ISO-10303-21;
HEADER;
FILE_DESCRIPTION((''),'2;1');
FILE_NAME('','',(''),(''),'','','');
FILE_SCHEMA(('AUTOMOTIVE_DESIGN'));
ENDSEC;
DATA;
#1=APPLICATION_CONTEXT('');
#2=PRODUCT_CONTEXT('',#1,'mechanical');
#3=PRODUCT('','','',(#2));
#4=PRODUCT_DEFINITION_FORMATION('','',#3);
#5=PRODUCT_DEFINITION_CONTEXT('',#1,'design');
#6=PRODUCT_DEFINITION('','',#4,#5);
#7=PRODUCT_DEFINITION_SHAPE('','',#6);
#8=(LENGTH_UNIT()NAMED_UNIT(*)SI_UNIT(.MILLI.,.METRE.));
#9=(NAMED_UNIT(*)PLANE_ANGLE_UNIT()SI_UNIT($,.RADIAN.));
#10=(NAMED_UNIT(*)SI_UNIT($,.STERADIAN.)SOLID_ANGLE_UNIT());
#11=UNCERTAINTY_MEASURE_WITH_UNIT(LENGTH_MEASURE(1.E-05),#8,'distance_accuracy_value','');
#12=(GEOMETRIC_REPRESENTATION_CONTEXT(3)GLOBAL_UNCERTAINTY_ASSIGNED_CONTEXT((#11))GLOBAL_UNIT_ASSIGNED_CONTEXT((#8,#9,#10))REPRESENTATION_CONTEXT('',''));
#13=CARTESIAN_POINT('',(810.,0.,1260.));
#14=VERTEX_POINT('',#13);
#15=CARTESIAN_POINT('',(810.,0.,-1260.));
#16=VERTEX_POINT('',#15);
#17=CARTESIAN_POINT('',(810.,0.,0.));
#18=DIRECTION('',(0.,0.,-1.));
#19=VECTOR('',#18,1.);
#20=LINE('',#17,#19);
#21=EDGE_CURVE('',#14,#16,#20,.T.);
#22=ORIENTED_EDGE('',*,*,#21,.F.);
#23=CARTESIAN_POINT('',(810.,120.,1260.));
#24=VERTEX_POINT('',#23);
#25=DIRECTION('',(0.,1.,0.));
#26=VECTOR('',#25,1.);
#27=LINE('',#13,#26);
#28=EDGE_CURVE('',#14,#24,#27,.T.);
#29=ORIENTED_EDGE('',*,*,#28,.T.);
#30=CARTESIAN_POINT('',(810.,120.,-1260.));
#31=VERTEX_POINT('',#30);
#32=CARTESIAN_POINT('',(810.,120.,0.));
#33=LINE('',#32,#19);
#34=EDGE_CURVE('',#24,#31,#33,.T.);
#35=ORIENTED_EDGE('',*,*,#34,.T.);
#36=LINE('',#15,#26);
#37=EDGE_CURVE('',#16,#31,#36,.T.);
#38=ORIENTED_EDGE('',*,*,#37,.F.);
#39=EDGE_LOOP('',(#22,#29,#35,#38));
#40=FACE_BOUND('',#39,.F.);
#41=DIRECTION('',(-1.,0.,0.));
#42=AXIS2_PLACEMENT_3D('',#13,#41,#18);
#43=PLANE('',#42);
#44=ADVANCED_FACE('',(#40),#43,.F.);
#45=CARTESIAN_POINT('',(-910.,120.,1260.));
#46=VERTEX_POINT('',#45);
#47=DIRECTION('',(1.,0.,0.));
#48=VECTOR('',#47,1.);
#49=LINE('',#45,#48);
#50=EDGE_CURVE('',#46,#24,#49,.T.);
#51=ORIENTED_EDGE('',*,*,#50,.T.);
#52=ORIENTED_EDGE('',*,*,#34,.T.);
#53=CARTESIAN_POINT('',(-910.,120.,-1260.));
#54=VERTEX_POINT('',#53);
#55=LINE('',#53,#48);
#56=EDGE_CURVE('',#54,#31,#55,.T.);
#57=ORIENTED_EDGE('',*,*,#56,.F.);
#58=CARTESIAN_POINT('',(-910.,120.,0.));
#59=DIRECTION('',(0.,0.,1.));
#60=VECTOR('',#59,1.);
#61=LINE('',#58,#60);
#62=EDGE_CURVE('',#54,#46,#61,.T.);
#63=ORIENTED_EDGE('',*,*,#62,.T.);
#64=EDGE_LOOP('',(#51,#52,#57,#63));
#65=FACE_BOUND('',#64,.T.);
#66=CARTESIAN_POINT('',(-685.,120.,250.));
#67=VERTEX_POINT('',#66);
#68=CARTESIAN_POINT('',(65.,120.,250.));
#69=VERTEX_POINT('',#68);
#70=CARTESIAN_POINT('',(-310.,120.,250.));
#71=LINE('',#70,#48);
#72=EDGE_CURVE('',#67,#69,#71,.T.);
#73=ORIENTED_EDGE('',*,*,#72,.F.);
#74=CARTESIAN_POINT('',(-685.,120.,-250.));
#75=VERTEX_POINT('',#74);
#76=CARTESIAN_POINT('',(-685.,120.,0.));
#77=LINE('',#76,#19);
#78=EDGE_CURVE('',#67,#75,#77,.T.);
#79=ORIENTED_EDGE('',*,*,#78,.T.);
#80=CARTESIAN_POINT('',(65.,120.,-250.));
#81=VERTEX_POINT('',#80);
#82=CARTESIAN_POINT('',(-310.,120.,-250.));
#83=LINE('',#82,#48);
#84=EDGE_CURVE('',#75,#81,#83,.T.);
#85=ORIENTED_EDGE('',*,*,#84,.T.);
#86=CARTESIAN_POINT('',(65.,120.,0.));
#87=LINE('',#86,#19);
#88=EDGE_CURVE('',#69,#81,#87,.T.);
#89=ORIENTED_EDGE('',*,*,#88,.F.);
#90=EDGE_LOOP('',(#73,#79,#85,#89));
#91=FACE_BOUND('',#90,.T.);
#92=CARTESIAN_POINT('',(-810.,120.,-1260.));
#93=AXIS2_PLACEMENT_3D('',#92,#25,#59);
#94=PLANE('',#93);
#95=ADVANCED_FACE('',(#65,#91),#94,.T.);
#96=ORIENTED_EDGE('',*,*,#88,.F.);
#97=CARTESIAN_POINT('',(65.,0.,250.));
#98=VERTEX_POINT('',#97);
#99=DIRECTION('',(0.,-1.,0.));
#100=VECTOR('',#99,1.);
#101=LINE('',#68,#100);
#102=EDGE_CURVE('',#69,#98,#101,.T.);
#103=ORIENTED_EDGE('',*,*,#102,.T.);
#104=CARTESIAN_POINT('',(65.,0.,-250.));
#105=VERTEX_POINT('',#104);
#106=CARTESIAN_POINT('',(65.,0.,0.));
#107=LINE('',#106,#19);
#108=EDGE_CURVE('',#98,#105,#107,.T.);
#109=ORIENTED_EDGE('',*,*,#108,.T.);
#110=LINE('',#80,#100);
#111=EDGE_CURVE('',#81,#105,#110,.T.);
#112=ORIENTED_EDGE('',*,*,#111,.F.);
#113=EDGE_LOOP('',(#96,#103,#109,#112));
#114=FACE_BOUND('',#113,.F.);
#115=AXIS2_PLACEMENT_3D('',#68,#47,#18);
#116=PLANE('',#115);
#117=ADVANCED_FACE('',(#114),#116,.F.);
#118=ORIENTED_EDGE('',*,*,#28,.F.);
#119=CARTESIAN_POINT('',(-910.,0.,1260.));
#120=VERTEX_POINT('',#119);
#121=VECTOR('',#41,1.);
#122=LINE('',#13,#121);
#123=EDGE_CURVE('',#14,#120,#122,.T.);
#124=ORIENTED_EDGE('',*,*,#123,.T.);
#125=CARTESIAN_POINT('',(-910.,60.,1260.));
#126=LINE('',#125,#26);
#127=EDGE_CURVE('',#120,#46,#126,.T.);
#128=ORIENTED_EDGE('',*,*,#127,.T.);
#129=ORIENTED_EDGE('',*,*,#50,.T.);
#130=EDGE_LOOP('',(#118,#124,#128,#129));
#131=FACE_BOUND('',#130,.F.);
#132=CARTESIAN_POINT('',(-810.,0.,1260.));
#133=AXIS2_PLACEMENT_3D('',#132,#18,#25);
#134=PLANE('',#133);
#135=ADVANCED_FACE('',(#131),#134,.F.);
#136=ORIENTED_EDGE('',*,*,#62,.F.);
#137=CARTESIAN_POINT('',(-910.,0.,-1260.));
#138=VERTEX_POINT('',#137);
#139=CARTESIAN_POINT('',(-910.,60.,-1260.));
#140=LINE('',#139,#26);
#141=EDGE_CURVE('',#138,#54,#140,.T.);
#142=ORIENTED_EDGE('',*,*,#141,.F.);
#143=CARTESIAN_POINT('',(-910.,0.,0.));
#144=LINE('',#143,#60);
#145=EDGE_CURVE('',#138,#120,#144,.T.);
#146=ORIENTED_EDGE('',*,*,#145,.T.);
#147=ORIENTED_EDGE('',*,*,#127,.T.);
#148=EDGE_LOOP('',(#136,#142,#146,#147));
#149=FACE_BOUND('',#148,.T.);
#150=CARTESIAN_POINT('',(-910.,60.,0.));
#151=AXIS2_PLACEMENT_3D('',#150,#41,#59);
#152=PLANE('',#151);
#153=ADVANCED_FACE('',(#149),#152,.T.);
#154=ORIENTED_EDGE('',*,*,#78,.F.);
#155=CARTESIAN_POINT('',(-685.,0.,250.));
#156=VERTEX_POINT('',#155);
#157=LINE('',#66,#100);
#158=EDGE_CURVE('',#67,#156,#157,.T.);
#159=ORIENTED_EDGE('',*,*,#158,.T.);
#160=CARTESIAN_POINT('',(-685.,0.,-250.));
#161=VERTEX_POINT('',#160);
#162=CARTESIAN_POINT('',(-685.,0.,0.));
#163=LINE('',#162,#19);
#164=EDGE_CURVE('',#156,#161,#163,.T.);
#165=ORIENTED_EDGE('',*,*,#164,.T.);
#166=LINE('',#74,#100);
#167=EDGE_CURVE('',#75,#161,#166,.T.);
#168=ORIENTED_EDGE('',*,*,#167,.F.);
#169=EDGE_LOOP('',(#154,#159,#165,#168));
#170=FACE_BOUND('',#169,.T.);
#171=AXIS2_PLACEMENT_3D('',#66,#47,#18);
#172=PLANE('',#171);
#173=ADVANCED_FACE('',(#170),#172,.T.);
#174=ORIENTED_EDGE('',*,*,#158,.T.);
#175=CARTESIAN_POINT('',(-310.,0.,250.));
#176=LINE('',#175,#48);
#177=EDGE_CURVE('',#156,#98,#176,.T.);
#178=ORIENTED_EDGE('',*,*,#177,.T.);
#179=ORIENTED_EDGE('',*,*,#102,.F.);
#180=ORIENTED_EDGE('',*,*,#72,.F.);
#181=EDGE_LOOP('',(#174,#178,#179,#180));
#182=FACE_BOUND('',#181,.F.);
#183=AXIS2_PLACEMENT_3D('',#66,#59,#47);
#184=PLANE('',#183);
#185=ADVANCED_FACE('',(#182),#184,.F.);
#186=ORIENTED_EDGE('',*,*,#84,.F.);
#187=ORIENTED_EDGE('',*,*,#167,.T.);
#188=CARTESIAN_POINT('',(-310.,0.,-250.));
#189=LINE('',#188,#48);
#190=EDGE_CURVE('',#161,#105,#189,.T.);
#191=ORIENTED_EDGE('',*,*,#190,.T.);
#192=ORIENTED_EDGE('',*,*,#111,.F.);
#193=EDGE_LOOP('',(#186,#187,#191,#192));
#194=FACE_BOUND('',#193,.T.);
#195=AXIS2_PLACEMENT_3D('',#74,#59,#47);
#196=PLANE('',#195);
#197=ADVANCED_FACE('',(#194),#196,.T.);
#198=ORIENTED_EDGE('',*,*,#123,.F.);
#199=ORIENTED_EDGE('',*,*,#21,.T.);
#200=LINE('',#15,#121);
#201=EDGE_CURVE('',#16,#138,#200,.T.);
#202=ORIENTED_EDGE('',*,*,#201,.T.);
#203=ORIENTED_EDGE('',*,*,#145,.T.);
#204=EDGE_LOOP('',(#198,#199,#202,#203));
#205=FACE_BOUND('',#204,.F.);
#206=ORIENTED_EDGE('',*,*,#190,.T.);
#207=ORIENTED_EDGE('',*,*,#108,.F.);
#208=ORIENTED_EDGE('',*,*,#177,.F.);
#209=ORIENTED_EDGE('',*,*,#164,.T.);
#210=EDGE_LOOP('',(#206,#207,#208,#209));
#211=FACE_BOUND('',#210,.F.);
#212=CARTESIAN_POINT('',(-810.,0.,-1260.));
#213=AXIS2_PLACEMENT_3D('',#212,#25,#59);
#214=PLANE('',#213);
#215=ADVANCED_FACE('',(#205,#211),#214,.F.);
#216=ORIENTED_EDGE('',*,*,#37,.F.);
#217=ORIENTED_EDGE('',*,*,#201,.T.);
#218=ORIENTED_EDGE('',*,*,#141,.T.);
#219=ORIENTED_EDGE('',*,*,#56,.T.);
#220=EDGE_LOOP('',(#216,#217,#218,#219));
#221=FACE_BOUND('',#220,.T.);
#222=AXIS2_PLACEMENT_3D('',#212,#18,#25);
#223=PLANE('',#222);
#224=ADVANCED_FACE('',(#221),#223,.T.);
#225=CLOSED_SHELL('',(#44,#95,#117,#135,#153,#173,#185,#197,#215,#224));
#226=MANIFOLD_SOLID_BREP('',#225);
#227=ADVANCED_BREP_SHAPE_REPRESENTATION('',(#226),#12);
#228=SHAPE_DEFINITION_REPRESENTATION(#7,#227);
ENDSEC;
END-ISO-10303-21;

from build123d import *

# Parameters (mm, degrees)
CROQUIS1_W              = 1620
CROQUIS1_H              = 2520
SALIENTE_EXTRUIR1_DEPTH = 120
CROQUIS2_W              = 750
CROQUIS2_H              = 500
CORTAR_EXTRUIR1_DEPTH   = 120
CROQUIS3_W              = 2520
CROQUIS3_H              = 120
SALIENTE_EXTRUIR2_DEPTH = 100


with BuildPart() as part:
    # Croquis1 → Saliente-Extruir1 (new body)
    with BuildSketch(Plane(origin=(0, 0, 0), x_dir=(1, 0, 0), z_dir=(0, 1, 0))):
        Rectangle(CROQUIS1_W, CROQUIS1_H)
    extrude(amount=SALIENTE_EXTRUIR1_DEPTH)

    # Croquis2 → Cortar-Extruir1 (cut)
    with BuildSketch(Plane(origin=(0, 120, 0), x_dir=(1, 0, 0), z_dir=(0, 1, 0))):
        with Locations((-310, 0)):
            Rectangle(CROQUIS2_W, CROQUIS2_H)
    extrude(amount=-CORTAR_EXTRUIR1_DEPTH, mode=Mode.SUBTRACT)

    # Croquis3 → Saliente-Extruir2 (add)
    with BuildSketch(Plane.ZY.offset(810)):
        with Locations((0, 60)):
            Rectangle(CROQUIS3_W, CROQUIS3_H)
    extrude(amount=SALIENTE_EXTRUIR2_DEPTH)


solid = part.part
